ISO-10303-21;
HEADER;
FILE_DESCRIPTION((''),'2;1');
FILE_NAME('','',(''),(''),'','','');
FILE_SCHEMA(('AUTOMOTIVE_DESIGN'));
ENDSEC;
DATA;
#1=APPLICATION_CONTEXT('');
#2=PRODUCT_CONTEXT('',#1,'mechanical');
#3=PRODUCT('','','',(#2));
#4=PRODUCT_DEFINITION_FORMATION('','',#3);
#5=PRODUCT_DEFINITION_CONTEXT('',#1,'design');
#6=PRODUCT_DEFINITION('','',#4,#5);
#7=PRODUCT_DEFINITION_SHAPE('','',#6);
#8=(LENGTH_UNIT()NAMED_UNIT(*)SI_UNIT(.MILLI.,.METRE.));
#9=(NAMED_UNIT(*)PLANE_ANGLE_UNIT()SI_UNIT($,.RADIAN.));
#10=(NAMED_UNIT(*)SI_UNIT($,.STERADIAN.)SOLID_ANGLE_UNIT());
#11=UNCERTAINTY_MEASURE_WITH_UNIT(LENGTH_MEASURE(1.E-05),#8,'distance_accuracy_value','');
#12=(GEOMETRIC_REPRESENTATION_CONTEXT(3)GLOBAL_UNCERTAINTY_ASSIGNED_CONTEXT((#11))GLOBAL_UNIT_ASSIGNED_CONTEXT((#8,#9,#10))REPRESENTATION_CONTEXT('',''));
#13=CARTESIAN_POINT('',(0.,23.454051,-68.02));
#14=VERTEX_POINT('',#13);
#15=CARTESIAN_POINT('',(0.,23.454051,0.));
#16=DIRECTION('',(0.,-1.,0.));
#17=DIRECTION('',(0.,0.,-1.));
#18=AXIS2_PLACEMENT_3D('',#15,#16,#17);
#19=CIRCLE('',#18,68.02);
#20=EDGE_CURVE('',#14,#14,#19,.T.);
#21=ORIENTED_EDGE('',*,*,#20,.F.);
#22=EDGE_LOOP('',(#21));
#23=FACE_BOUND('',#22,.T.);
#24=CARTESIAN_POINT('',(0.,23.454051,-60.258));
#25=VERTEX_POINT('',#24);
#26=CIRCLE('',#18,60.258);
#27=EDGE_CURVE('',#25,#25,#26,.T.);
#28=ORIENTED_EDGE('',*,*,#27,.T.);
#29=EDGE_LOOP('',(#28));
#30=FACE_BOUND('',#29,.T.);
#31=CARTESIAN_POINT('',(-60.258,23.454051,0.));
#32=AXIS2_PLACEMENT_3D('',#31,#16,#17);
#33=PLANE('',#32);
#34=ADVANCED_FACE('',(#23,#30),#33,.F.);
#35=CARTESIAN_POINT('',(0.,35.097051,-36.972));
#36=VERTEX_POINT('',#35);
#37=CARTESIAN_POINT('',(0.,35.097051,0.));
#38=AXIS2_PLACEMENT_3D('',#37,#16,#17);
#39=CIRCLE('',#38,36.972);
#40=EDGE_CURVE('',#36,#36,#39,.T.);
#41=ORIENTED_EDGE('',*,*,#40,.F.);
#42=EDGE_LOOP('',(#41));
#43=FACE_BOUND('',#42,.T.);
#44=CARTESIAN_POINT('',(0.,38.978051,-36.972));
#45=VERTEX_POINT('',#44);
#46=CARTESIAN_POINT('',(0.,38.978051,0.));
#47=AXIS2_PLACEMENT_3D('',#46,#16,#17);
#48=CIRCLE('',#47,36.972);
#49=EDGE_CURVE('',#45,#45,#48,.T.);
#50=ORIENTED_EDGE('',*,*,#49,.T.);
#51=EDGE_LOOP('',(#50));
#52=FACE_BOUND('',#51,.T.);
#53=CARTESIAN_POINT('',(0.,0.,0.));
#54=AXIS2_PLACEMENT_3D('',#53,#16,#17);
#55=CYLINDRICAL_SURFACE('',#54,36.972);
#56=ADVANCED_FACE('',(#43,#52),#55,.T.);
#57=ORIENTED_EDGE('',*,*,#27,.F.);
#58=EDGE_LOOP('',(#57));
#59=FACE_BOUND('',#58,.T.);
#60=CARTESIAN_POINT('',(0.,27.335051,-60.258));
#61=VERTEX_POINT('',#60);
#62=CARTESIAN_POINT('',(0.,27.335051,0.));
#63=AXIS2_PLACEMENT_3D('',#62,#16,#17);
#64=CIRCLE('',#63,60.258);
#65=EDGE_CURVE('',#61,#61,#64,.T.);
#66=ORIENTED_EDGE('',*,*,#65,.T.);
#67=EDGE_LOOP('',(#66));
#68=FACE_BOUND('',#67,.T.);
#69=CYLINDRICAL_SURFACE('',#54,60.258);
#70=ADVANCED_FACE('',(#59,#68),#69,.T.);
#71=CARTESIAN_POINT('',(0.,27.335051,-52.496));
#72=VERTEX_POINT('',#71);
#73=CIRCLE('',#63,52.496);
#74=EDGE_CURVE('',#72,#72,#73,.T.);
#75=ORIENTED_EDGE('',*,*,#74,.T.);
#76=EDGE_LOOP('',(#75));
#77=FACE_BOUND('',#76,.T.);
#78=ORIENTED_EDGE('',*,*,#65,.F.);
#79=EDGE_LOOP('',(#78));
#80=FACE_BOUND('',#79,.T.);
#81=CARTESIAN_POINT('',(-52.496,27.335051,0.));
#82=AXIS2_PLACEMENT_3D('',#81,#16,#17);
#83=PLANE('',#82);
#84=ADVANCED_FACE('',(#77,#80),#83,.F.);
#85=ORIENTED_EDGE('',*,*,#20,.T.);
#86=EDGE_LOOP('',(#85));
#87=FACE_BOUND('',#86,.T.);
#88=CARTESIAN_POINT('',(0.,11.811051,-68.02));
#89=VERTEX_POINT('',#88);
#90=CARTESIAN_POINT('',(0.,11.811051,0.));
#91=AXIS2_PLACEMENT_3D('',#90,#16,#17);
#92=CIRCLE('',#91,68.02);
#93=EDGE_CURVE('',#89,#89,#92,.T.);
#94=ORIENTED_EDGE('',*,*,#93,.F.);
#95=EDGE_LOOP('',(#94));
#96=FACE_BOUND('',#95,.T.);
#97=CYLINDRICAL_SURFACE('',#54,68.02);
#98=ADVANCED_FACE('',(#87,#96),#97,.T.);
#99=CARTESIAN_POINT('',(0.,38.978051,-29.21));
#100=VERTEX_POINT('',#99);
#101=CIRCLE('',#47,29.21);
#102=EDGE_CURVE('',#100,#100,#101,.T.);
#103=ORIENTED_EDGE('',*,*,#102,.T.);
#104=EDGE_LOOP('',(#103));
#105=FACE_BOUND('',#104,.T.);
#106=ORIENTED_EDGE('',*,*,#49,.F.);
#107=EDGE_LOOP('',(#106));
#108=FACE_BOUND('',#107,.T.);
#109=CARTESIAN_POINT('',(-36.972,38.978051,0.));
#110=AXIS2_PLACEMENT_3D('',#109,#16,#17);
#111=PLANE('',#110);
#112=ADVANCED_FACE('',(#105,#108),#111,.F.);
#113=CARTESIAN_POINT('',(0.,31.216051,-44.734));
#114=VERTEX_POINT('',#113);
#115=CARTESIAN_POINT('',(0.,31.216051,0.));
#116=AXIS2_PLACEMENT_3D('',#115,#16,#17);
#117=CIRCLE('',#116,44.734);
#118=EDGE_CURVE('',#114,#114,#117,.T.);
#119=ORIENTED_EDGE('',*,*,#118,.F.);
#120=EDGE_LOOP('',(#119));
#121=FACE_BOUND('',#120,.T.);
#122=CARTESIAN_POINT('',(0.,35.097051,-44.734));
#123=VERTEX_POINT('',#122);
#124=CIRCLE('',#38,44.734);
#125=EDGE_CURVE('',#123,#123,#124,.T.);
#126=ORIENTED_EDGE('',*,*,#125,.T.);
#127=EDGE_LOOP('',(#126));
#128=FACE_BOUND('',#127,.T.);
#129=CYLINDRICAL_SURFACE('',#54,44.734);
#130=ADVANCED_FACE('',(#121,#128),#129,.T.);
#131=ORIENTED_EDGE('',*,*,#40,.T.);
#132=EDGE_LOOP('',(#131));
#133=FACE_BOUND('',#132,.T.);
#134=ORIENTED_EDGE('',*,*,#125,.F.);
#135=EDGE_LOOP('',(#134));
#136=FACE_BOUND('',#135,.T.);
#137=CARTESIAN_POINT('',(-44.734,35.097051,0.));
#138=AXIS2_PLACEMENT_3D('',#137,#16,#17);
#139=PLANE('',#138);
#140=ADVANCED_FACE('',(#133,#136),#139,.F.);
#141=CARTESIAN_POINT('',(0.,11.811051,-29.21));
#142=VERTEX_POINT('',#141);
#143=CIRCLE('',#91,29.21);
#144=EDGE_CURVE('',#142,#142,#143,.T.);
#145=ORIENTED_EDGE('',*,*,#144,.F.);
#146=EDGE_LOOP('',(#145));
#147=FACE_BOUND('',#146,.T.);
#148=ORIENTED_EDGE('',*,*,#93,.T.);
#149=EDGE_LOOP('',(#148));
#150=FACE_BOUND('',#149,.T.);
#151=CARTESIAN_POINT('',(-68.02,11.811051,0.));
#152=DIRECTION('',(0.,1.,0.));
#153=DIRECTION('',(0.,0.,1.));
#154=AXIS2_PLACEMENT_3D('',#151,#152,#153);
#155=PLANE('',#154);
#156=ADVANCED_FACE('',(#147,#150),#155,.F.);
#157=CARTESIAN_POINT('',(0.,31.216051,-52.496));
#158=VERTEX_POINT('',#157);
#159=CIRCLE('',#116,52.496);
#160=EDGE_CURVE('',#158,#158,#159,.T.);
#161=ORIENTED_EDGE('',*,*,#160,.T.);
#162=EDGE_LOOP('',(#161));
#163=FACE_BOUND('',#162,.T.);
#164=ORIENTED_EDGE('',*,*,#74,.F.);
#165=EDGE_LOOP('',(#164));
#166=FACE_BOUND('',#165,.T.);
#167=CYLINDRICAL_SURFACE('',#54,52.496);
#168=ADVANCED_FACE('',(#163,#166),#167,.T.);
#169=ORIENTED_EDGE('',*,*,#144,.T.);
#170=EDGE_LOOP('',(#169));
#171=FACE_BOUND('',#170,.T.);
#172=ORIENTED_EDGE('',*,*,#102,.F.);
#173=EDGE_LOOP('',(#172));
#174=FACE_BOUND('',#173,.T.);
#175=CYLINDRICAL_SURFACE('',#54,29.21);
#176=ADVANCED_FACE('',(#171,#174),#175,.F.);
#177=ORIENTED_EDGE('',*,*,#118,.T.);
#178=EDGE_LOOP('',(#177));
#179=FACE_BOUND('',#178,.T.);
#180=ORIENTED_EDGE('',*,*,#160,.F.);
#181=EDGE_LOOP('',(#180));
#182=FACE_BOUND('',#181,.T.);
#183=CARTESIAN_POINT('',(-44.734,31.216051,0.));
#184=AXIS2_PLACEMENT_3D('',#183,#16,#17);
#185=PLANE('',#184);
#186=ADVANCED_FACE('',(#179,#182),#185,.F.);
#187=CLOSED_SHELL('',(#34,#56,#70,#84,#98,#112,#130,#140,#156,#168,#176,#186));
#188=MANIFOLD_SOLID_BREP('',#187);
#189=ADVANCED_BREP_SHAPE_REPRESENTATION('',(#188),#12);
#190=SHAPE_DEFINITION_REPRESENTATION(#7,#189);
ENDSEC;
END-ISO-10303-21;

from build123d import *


with BuildPart() as part:
    # Sketch1 → Revolve1 (revolve)
    with BuildSketch(Plane.XY, mode=Mode.PRIVATE) as revolve1_sk:
        Polygon((-44.73399997, 35.097050796), (-36.972, 35.097050796), (-36.972, 38.978050908), (-29.21, 38.978050908), (-29.21, 35.097050796), (-29.21, 11.811050572), (-68.01999988, 11.811050572), (-68.01999988, 23.454050572), (-60.25799991, 23.454050572), (-60.25799991, 27.335050572), (-52.49599994, 27.335050572), (-52.49599994, 31.216050684), (-44.73399997, 31.216050684), align=None)
    revolve(revolve1_sk.sketch.rotate(Axis((0, 0, 0), (0, 1, 0)), 270), axis=Axis((0, 0, 0), (0, 1, 0)))


solid = part.part
